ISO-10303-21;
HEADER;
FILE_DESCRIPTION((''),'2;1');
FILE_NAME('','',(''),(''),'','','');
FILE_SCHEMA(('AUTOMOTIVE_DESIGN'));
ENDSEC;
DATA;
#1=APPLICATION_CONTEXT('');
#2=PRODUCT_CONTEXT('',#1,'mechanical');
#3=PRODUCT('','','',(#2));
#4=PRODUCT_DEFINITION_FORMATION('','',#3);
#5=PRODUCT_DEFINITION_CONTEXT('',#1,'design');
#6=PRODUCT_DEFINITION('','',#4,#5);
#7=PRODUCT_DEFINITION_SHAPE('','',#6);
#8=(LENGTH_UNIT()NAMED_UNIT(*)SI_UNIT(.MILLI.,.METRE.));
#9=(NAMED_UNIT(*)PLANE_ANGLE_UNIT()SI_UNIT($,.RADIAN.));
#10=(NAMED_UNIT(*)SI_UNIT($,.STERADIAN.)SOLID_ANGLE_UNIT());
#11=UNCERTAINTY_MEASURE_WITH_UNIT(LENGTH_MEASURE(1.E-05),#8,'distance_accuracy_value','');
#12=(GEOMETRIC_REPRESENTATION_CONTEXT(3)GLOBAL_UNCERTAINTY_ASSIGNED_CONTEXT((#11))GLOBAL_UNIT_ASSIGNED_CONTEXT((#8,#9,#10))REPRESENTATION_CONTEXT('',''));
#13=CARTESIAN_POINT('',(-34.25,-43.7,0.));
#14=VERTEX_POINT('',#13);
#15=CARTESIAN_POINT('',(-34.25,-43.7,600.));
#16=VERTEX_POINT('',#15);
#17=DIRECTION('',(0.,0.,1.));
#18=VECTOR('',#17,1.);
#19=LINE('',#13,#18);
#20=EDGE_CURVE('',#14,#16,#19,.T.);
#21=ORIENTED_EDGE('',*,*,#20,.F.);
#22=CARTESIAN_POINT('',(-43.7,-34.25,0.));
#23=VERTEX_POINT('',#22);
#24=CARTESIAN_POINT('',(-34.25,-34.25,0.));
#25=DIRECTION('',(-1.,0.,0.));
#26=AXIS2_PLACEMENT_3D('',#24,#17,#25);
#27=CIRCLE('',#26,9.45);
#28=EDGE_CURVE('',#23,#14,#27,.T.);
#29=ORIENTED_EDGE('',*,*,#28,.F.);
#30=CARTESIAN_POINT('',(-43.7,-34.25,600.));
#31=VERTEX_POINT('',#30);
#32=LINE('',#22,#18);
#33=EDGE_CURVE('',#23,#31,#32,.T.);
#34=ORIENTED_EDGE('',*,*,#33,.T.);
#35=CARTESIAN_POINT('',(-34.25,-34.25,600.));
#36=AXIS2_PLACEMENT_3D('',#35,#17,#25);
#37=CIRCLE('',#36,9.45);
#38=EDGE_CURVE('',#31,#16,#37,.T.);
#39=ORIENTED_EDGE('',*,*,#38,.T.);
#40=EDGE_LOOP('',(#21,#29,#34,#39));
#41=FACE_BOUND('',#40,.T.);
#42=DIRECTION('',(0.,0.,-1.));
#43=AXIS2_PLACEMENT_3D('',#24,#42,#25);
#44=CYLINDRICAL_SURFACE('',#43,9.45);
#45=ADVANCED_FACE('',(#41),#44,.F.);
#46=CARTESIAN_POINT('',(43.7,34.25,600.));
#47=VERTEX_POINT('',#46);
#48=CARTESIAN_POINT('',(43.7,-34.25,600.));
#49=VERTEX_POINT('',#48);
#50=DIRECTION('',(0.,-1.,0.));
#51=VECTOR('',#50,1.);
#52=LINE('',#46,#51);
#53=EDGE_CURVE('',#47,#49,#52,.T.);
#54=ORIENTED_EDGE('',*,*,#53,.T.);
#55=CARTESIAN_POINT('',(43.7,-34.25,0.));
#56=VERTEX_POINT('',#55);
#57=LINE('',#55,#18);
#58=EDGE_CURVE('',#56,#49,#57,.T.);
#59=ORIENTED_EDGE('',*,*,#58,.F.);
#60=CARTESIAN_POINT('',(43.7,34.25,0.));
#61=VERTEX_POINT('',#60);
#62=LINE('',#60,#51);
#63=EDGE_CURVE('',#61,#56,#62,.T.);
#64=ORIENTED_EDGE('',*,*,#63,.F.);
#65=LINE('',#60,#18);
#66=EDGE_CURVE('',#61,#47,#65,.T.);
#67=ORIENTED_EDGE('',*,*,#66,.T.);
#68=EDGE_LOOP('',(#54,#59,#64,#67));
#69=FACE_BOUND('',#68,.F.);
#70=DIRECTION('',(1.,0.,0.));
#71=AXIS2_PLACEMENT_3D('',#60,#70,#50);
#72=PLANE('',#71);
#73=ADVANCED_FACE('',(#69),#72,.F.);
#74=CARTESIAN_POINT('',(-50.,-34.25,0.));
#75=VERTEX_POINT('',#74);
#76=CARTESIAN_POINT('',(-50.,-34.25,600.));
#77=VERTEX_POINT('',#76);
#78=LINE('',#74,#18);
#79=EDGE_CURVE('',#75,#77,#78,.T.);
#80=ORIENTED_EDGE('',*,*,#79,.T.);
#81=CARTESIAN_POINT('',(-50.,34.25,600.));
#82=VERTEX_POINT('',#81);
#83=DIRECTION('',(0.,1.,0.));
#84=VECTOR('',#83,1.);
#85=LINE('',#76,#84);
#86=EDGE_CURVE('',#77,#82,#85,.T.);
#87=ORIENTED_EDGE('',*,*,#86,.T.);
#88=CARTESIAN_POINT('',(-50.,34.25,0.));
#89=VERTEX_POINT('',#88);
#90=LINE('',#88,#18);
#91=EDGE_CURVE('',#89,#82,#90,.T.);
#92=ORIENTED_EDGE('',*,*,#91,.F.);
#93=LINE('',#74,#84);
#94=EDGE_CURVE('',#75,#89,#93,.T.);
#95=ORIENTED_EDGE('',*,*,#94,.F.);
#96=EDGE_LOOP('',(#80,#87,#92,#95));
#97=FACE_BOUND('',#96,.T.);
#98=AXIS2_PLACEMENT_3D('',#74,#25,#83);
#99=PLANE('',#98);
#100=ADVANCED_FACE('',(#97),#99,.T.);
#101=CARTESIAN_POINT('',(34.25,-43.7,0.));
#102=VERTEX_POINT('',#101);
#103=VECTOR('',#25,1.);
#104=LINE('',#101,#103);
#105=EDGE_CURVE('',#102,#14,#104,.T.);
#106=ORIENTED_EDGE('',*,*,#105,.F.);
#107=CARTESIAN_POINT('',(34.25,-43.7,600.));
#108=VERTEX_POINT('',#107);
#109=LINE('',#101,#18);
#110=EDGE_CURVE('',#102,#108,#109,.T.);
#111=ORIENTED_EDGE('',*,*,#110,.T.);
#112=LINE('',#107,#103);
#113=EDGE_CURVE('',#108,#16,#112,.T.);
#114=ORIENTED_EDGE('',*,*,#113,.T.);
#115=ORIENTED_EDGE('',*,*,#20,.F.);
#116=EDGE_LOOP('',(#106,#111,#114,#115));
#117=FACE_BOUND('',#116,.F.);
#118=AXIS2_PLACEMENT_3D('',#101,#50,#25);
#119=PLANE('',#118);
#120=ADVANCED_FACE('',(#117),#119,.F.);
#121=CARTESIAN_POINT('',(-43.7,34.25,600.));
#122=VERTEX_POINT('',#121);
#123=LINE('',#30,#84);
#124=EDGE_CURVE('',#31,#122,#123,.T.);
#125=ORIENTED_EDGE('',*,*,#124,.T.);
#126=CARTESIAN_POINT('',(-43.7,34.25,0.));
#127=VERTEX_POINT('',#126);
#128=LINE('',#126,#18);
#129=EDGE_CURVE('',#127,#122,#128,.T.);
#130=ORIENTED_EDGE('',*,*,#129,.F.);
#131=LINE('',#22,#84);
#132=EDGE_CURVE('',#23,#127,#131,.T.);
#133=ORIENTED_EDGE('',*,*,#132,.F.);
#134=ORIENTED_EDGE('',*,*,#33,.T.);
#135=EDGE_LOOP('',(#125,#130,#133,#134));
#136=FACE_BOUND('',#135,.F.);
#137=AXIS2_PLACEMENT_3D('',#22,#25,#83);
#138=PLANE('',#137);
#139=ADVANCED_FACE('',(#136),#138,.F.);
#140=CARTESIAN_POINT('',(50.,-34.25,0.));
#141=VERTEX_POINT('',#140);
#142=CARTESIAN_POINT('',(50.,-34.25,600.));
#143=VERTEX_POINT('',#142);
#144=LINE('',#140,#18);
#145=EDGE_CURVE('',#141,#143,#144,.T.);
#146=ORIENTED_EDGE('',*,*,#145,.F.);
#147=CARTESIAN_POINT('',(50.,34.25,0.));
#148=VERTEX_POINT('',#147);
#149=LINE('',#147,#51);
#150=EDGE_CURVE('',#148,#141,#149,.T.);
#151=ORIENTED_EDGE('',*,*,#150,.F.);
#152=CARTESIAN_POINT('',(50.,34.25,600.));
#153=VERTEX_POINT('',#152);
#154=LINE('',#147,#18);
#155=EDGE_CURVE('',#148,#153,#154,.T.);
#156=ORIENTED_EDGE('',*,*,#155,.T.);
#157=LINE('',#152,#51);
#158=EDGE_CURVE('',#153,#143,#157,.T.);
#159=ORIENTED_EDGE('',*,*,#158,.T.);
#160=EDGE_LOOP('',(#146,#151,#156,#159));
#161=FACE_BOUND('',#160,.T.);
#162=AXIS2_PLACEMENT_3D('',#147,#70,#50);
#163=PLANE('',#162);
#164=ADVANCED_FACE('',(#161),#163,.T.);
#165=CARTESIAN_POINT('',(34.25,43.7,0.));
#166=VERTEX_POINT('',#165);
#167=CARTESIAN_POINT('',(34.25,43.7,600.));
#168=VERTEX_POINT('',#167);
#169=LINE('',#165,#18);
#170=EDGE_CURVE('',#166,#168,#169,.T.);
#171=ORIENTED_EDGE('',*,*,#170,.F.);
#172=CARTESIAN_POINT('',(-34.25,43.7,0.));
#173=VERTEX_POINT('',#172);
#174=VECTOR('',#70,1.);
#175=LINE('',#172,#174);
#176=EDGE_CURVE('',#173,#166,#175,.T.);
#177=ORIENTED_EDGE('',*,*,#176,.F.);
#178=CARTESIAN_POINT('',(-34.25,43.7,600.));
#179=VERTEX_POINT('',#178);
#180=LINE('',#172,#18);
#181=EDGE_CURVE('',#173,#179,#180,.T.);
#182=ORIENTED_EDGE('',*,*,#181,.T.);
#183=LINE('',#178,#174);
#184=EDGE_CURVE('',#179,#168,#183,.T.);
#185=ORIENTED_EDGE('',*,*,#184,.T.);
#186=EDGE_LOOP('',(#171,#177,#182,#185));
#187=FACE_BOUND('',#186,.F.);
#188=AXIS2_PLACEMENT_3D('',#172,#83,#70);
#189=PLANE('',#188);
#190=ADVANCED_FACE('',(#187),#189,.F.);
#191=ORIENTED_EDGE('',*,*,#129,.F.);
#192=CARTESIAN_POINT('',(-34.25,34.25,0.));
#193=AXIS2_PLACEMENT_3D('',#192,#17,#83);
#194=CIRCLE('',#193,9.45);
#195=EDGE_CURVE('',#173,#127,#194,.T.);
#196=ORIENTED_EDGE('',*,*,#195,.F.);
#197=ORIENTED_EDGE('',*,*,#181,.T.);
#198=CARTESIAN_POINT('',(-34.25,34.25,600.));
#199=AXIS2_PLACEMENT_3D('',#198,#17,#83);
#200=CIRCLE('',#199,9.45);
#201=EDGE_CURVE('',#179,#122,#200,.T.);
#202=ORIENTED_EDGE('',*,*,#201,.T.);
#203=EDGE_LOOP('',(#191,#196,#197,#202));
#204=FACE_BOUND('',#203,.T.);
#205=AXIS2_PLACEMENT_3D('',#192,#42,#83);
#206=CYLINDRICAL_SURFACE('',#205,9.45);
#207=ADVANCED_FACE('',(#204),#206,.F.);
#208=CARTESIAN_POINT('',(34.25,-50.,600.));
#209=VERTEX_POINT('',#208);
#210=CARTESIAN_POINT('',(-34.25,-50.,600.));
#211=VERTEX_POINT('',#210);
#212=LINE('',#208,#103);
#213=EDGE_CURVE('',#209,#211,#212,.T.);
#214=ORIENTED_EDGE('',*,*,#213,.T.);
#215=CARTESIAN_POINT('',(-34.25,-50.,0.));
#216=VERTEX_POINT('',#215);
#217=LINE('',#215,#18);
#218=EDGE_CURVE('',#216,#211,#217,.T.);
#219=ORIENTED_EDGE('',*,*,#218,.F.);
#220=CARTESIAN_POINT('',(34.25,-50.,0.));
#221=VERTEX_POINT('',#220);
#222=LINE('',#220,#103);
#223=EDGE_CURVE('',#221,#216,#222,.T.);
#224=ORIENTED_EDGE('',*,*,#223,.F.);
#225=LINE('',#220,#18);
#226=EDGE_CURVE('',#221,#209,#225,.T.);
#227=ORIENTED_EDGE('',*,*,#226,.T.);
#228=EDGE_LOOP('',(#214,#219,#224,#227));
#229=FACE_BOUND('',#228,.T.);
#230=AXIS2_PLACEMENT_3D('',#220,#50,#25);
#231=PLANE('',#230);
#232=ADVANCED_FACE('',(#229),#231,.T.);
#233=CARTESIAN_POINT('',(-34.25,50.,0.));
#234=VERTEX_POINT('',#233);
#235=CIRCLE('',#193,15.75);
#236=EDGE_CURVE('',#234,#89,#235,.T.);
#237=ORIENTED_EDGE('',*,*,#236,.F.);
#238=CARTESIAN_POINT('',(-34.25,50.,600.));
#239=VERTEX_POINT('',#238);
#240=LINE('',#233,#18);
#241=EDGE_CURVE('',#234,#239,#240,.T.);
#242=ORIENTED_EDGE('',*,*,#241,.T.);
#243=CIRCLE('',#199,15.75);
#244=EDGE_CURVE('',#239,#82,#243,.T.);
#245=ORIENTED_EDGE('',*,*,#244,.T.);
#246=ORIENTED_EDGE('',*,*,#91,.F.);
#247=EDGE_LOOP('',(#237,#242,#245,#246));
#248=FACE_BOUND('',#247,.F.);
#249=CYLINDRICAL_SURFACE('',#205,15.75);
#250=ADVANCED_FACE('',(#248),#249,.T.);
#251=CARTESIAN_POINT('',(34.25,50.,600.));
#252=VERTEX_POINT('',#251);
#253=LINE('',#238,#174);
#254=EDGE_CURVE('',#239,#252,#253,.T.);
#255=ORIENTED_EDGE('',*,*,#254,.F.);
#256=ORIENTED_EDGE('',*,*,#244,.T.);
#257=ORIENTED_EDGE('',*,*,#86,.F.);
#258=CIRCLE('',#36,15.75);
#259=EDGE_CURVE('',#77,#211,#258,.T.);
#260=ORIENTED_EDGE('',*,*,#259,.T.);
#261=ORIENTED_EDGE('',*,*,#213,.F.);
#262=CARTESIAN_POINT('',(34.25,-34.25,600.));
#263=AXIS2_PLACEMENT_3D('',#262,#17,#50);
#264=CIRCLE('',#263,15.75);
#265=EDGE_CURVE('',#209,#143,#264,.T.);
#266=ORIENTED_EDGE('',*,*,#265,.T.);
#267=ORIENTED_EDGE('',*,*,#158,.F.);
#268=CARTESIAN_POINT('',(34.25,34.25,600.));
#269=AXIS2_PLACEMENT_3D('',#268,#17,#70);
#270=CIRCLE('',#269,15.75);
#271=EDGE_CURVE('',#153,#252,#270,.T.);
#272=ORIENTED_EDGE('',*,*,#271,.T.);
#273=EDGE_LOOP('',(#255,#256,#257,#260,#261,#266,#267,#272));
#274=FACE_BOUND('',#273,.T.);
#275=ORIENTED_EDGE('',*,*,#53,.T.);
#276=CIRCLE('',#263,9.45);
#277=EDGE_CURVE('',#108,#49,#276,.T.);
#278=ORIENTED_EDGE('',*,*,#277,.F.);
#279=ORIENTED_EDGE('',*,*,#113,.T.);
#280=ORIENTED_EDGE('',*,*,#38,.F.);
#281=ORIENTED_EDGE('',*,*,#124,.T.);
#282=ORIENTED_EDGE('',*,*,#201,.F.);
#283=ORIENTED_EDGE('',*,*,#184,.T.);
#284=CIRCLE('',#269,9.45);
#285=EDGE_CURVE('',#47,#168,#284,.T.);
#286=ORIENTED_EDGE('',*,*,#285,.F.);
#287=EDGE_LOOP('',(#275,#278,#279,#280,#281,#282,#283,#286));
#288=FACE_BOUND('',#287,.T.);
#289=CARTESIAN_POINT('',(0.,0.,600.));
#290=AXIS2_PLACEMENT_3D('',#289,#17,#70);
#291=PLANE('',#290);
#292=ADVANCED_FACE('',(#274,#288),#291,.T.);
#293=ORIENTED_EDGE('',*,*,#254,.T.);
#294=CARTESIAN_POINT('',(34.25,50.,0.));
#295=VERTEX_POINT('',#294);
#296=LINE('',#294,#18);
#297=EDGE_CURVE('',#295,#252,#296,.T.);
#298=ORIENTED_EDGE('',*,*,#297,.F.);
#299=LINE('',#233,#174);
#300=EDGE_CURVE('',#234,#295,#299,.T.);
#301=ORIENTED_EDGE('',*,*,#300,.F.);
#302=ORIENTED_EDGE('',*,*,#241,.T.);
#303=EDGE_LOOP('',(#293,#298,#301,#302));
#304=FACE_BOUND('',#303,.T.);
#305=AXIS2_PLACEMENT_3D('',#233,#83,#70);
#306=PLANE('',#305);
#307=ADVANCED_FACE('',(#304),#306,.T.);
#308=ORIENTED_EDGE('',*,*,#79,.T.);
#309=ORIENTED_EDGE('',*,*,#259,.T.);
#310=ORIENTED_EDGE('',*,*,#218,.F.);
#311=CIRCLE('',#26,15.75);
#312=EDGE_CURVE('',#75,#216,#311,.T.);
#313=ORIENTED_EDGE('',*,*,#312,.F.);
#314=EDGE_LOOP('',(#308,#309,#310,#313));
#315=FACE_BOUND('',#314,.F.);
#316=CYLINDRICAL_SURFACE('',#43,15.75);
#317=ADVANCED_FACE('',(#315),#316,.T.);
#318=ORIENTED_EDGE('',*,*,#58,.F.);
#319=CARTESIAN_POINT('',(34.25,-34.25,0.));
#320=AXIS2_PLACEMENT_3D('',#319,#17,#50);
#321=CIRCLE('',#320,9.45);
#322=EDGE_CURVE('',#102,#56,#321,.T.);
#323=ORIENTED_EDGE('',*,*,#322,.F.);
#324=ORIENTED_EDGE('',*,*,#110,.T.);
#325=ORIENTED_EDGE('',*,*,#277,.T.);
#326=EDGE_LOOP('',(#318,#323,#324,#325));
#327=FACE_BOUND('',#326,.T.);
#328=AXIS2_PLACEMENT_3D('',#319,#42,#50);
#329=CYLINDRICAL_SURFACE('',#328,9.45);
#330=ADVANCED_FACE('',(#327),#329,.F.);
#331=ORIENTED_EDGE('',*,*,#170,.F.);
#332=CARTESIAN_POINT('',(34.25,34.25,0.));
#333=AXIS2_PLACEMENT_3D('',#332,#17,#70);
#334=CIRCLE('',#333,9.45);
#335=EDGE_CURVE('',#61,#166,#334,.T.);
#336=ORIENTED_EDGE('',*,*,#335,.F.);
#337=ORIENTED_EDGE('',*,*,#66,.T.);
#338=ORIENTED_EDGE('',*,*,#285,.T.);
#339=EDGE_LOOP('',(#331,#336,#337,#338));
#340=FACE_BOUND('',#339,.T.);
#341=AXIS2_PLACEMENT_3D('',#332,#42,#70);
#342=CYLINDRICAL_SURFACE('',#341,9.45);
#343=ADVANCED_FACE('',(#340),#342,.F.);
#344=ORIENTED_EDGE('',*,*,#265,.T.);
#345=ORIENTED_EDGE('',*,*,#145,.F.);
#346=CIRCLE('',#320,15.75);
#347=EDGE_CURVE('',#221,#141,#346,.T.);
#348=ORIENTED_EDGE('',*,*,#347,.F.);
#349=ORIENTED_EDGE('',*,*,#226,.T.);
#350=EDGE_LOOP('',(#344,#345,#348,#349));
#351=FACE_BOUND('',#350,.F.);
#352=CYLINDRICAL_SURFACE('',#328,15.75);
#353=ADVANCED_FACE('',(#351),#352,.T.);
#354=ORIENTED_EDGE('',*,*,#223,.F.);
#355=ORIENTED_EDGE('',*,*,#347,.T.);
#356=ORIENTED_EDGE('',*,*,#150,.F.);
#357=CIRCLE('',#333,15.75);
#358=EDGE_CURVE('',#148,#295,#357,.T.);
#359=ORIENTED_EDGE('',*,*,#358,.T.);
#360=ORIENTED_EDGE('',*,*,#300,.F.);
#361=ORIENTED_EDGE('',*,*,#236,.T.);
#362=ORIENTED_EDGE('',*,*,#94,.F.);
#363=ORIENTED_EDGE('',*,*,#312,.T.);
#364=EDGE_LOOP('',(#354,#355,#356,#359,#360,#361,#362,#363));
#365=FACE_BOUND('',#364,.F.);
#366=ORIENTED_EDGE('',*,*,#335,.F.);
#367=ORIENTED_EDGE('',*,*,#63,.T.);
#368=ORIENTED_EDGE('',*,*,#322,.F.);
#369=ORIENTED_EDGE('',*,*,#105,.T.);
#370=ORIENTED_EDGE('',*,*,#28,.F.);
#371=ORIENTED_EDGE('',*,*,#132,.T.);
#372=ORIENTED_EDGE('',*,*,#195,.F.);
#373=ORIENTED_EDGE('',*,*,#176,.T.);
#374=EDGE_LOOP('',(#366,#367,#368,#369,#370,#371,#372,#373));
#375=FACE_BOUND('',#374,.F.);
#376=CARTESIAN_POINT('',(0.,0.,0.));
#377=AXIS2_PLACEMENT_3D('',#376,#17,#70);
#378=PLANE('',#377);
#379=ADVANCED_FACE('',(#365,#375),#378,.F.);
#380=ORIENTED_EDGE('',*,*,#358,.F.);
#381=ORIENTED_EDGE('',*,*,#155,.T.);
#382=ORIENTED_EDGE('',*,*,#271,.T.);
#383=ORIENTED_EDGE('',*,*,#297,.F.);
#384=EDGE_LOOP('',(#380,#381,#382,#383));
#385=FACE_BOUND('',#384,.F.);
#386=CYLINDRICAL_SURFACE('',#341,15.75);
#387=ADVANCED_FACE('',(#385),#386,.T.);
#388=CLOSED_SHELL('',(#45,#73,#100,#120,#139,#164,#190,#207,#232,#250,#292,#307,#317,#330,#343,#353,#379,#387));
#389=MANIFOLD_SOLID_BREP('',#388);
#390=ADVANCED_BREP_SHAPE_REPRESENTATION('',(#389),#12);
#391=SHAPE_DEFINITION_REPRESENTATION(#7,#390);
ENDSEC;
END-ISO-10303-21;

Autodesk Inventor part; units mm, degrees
ref_plane "YZ Plane" through (0, 0, 0) normal (1, 0, 0) x (0, 1, 0)
ref_plane "Start Plane" through (0, 0, 0) normal (0, 0, 1) x (1, 0, 0)
ref_plane "End Plane" through (0, 0, 600) normal (0, 0, 1) x (1, 0, 0)
sketch "Sketch" plane through (0, 0, 0) normal (0, 0, 1) x (1, 0, 0)
  line L0 (-50, -34.25) -> (-50, 34.25)
  line L1 (-34.25, 50) -> (34.25, 50)
  line L2 (50, 34.25) -> (50, -34.25)
  line L3 (34.25, -50) -> (-34.25, -50)
  arc A0 (-50, -34.25) -> (-34.25, -50) centre (-34.25, -34.25) ccw
  arc A1 (50, 34.25) -> (34.25, 50) centre (34.25, 34.25) ccw
  arc A2 (-34.25, 50) -> (-50, 34.25) centre (-34.25, 34.25) ccw
  arc A3 (34.25, -50) -> (50, -34.25) centre (34.25, -34.25) ccw
  arc A4 (-34.25, 43.7) -> (-43.7, 34.25) centre (-34.25, 34.25) ccw
  line L4 (-34.25, 43.7) -> (34.25, 43.7)
  arc A5 (43.7, 34.25) -> (34.25, 43.7) centre (34.25, 34.25) ccw
  line L5 (43.7, 34.25) -> (43.7, -34.25)
  arc A6 (34.25, -43.7) -> (43.7, -34.25) centre (34.25, -34.25) ccw
  line L6 (34.25, -43.7) -> (-34.25, -43.7)
  arc A7 (-43.7, -34.25) -> (-34.25, -43.7) centre (-34.25, -34.25) ccw
  line L7 (-43.7, -34.25) -> (-43.7, 34.25)
  line L8 (0, 74.5667) -> (0, -74.5667) construction
  line L9 (-74.5667, 0) -> (74.5667, 0) construction
  dimension "d7" = 15.75
  dimension "d9" = 100
  dimension "d11" = 100
  dimension "d12" = 6.3
  dimension "d15" = 50
  dimension "d16" = 50
extrude "Body" add sketch "Sketch" along normal up to surface (600 mm away) from surface at 0
sketch "Sketch3" plane through (0, 0, 0) normal (0, 0, 1) x (1, 0, 0)
  line L0 (0, 0) -> (10, 0)
ref_plane "Work Plane3" through (0, 0, 0) normal (0, -1, 0) x (1, 0, 0)
sketch "Sketch4" plane through (0, 0, 0) normal (0, -1, 0) x (1, 0, 0)
  line L0 (-2, 0) -> (12, 0)
  line L1 (-2, 600) -> (12, 600)
  dimension "d18" = 600
equation "\"d7\" = G_IR"
equation "\"d9\" = G_W"
equation "\"d11\" = G_H"
equation "\"d12\" = G_T"
equation "\"d15\" = 0.5 * d9"
equation "\"d16\" = 0.5 * d11"
equation "\"d3\" = G_L"
equation "\"G_W\" = 100"
equation "\"G_H\" = 100"
equation "\"G_T\" = 6.3"
equation "\"G_IR\" = 15.75"
equation "\"G_L\" = d18"
equation "\"G_OFFSET_START\" = 0"
equation "\"G_OFFSET_END\" = 0"
properties part number "ISO 4019 - 100x100x6.3 - 600" material "Steel, Mild"
